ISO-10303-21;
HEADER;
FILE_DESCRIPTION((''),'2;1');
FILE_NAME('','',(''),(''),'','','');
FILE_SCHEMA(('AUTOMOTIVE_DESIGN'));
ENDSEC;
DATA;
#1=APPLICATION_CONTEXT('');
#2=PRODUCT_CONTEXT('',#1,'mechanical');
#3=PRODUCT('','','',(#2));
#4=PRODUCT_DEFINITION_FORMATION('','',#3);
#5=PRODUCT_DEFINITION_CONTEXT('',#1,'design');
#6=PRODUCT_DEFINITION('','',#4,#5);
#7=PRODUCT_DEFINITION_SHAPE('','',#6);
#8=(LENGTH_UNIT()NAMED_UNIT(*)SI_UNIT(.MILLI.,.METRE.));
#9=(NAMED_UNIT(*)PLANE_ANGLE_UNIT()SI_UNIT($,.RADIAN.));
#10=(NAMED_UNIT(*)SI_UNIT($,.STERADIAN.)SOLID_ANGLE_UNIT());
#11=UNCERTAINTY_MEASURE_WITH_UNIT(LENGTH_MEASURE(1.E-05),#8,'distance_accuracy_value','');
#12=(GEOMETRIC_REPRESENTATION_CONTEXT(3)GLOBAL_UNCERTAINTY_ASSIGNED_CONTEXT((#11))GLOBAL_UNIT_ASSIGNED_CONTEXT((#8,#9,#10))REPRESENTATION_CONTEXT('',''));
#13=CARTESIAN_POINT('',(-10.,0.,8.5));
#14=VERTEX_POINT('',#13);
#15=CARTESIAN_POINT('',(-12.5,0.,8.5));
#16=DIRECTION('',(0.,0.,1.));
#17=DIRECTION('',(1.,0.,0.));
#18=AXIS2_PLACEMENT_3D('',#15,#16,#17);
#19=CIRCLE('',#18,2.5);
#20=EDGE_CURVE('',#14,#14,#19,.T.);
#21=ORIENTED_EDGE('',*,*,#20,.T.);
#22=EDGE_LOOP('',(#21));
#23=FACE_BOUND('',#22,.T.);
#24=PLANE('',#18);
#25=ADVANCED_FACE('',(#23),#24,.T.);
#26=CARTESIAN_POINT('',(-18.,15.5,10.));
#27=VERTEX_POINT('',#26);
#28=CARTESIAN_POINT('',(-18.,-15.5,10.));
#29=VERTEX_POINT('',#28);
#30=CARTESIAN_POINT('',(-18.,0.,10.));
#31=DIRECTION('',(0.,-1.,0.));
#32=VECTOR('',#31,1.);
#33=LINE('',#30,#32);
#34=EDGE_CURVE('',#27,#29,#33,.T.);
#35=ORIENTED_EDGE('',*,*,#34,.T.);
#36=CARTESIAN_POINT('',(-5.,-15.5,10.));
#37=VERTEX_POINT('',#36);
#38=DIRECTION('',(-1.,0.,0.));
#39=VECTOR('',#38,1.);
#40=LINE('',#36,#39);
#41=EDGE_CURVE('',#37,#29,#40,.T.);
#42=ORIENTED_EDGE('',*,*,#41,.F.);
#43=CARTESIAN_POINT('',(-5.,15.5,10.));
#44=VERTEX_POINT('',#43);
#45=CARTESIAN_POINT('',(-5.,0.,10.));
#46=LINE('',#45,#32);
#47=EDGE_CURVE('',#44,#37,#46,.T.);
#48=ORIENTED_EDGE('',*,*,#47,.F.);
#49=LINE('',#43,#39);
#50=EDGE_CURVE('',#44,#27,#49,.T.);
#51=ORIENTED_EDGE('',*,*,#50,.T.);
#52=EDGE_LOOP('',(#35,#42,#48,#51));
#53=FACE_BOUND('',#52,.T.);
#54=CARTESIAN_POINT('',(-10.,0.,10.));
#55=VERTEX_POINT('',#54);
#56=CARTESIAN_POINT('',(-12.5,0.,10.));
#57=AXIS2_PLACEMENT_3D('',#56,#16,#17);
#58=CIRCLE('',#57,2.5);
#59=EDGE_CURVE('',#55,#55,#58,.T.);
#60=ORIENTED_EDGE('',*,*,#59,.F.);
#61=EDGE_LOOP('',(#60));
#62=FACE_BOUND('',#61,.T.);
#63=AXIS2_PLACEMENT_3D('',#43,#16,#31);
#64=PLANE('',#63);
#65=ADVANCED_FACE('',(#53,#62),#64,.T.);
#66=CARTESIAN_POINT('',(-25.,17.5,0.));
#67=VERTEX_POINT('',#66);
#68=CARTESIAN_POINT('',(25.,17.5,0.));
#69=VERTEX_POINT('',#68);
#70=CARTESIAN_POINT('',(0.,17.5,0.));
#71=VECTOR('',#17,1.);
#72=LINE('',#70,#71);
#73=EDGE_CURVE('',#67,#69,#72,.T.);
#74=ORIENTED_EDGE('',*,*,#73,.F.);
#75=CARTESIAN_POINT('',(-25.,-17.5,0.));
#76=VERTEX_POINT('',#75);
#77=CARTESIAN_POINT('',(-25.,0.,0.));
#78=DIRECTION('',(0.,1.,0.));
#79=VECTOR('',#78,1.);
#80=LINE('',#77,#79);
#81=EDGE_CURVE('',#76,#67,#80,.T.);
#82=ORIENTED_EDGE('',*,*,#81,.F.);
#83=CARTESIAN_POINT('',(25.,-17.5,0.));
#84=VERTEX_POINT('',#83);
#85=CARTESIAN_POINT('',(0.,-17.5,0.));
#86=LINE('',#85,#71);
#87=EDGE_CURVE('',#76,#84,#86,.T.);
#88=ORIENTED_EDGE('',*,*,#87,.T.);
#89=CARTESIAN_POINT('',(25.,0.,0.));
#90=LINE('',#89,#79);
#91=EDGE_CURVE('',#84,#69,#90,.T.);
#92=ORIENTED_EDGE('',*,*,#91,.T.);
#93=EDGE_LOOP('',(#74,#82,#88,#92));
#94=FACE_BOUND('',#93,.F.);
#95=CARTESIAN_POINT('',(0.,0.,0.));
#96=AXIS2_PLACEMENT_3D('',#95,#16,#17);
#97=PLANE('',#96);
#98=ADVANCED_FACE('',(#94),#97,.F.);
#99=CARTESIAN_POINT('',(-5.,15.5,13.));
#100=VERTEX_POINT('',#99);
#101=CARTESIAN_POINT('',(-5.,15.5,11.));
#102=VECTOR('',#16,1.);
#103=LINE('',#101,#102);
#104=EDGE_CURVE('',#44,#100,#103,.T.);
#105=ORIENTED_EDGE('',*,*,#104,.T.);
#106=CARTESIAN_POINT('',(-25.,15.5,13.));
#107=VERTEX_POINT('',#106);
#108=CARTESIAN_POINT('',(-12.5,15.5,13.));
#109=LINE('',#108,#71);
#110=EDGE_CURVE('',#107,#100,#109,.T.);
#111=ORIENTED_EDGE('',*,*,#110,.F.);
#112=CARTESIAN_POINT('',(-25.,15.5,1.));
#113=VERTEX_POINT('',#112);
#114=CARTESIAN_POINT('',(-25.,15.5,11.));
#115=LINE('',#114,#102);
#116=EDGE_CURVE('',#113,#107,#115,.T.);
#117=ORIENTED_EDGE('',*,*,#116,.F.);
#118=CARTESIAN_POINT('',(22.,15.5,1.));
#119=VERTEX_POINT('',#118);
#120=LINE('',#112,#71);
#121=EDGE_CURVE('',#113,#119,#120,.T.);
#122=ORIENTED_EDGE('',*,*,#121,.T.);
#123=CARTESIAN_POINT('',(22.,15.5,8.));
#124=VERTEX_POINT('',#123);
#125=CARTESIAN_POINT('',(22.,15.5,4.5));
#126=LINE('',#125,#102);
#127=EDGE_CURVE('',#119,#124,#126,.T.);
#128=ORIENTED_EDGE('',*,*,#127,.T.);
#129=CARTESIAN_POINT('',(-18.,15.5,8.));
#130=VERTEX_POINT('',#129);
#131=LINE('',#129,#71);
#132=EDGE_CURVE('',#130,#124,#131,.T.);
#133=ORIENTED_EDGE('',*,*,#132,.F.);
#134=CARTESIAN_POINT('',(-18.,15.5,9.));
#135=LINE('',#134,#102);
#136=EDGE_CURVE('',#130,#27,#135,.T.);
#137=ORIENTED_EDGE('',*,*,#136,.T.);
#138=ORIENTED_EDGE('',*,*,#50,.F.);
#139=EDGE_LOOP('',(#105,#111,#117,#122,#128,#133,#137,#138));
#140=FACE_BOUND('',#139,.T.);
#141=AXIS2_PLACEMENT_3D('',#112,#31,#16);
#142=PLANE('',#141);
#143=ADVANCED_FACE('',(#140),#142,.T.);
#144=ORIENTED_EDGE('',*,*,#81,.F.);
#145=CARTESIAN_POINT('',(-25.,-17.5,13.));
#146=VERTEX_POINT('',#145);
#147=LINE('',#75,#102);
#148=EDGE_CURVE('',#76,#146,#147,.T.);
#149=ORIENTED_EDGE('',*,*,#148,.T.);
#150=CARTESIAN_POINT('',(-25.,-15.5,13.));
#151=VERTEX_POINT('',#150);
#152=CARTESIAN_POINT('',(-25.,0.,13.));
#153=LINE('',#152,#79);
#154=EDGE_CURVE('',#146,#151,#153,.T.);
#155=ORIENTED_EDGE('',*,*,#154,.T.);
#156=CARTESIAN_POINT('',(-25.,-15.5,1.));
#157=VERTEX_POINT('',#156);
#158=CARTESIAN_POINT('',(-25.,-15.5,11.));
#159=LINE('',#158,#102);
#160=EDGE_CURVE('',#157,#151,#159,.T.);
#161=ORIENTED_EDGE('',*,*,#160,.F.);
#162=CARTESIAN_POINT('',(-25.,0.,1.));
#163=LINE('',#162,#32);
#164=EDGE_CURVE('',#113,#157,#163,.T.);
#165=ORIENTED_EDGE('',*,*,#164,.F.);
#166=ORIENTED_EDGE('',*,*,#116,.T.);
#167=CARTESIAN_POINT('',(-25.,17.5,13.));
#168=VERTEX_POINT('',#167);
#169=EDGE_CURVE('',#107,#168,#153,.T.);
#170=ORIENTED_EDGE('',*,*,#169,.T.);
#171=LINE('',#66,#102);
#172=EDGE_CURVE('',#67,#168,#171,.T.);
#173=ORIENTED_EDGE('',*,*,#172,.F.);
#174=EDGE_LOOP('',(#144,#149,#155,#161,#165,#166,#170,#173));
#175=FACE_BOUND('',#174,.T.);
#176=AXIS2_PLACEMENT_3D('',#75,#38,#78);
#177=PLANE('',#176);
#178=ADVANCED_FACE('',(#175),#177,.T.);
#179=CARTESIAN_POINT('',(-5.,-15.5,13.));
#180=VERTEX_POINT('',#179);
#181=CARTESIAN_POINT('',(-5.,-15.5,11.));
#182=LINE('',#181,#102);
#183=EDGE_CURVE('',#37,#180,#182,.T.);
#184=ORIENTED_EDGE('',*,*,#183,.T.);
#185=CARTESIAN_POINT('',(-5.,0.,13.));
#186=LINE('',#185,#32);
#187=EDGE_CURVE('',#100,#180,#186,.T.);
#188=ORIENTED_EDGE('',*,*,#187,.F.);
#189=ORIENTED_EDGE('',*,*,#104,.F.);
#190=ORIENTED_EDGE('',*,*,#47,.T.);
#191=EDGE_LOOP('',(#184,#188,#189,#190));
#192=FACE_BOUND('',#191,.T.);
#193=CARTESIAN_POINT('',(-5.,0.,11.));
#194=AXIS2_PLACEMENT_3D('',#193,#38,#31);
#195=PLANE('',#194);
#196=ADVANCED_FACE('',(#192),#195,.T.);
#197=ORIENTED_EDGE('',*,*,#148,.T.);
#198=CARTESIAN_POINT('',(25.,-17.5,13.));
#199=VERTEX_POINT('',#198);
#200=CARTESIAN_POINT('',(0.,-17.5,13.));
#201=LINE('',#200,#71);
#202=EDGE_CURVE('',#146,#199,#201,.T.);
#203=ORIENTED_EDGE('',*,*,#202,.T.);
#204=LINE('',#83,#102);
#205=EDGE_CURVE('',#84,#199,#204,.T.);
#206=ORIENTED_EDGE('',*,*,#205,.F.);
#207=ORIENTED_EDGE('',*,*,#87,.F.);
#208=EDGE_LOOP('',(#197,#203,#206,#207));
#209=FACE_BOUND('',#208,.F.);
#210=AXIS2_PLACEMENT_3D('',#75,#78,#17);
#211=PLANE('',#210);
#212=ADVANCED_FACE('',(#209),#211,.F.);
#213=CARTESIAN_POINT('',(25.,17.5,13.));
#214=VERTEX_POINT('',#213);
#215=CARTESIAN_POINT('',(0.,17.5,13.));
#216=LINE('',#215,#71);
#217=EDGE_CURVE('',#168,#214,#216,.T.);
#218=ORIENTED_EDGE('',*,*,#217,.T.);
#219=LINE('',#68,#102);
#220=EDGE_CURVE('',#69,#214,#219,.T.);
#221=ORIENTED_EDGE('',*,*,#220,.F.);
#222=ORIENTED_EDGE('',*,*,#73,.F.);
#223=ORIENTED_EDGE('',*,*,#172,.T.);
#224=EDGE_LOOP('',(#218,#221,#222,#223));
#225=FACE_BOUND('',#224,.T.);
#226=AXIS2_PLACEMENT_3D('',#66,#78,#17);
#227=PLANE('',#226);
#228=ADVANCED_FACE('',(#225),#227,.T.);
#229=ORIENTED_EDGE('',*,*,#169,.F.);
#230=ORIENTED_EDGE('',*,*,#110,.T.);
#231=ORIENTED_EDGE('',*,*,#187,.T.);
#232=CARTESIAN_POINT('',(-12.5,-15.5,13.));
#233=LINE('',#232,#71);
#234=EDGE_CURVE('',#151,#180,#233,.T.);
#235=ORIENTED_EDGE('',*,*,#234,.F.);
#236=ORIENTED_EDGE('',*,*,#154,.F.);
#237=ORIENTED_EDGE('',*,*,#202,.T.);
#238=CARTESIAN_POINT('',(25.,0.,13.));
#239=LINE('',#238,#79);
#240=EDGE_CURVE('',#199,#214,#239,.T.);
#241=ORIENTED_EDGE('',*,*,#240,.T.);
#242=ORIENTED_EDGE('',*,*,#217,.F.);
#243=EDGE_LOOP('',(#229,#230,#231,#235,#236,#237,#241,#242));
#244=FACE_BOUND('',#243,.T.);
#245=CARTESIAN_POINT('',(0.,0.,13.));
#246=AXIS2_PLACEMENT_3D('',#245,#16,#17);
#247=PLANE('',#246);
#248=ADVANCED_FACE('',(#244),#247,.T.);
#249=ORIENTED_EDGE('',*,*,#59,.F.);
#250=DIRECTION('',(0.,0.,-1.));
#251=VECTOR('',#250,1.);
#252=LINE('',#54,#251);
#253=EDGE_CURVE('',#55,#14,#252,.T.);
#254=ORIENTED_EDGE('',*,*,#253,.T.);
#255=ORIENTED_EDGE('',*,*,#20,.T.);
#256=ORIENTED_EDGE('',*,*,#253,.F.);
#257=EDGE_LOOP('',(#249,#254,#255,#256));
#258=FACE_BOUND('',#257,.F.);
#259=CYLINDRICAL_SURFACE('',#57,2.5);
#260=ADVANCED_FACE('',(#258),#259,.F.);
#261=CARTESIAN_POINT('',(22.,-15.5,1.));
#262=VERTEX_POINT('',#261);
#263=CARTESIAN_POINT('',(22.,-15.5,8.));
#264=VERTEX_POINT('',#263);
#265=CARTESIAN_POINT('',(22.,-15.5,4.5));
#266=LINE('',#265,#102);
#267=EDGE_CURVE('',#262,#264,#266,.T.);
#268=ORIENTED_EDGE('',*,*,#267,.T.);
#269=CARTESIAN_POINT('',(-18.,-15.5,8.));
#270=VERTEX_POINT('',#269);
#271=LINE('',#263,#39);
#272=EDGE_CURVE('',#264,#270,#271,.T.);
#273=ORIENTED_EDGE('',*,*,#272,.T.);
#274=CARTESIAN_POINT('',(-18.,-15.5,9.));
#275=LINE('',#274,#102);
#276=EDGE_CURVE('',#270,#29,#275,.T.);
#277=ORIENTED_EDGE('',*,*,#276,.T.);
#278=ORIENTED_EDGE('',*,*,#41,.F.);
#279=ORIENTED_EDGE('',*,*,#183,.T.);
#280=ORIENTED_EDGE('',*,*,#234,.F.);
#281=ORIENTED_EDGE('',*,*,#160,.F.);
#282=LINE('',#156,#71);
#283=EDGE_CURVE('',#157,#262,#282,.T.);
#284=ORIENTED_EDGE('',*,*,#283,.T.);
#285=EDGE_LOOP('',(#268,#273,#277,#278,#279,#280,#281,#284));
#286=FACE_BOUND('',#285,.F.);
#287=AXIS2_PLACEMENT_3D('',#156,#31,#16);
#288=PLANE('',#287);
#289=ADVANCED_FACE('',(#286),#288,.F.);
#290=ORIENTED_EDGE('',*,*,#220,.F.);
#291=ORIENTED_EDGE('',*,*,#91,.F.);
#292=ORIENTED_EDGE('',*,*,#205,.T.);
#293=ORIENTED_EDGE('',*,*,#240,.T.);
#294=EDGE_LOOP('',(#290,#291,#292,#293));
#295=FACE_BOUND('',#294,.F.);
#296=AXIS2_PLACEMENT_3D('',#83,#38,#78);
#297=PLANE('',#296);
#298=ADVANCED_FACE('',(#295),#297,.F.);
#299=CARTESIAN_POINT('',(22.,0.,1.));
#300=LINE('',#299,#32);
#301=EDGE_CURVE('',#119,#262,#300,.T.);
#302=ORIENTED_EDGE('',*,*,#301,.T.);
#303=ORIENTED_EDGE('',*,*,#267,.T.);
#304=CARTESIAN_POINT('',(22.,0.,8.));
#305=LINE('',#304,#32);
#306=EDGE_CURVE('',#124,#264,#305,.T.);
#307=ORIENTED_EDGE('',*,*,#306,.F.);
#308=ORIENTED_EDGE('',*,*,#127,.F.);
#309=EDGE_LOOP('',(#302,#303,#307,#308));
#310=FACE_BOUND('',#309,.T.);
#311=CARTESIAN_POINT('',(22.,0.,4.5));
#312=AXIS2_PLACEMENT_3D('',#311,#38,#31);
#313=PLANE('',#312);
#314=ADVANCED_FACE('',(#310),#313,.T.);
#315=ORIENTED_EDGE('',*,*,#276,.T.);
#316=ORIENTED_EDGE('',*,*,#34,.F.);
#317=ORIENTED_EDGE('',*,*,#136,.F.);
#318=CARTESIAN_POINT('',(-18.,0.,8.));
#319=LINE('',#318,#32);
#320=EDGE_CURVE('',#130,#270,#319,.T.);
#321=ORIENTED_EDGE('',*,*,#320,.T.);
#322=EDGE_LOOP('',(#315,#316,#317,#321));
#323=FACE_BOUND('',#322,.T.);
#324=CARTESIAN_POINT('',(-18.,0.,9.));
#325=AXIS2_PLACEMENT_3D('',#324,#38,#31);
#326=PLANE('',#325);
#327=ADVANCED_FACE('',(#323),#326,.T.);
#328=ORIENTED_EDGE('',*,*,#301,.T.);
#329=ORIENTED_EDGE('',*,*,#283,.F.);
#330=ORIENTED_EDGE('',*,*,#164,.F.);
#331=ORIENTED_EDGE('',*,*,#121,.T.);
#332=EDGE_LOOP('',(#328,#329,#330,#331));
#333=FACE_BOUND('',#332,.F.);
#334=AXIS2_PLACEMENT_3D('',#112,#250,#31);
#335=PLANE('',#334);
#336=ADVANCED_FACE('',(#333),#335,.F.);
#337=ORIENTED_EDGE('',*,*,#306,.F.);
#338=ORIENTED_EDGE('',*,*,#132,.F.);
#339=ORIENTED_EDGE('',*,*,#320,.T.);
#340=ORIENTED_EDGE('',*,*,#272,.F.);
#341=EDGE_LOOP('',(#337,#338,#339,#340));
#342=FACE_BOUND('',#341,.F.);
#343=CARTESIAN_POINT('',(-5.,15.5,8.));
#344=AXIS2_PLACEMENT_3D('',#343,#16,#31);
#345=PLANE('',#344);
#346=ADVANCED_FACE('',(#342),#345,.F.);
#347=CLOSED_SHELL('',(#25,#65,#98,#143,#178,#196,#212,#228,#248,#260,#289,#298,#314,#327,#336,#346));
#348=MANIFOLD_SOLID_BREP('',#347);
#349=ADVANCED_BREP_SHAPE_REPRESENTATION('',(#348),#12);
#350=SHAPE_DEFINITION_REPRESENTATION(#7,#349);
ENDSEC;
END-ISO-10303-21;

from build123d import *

# Parameters (mm, degrees)
F0_W     = 50
F0_H     = 35
F1_DEPTH = 13
F2_W     = 31
F2_H     = 20
F3_DEPTH = 20
F4_W     = 31
F4_H     = 7
F5_DEPTH = 27
F6_W     = 31
F6_H     = 2
F7_DEPTH = 13
F8_R     = 2.5
F9_DEPTH = 1.5


with BuildPart() as f1:
    # F0 (on Top) → F1 (new body)
    with BuildSketch(Plane.XY):
        Rectangle(F0_W, F0_H)
    extrude(amount=F1_DEPTH)

    # F2 (on face) → F3 (cut)
    with BuildSketch(Plane(origin=(-25, 0, 0), x_dir=(0, -1, 0), z_dir=(-1, 0, 0))):
        with Locations((0, 11)):
            Rectangle(F2_W, F2_H)
    extrude(amount=-F3_DEPTH, mode=Mode.SUBTRACT)

    # F4 (on face) → F5 (cut)
    with BuildSketch(Plane(origin=(-5, 0, 0), x_dir=(0, -1, 0), z_dir=(-1, 0, 0))):
        with Locations((0, 4.5)):
            Rectangle(F4_W, F4_H)
    extrude(amount=-F5_DEPTH, mode=Mode.SUBTRACT)

    # F6 (on face) → F7 (join)
    with BuildSketch(Plane(origin=(-5, 0, 0), x_dir=(0, -1, 0), z_dir=(-1, 0, 0))):
        with Locations((0, 9)):
            Rectangle(F6_W, F6_H)
    extrude(amount=F7_DEPTH)

    # F8 (on face) → F9 (cut)
    with BuildSketch(Plane.XY.offset(10)):
        with Locations((-12.5, 0)):
            Circle(F8_R)
    extrude(amount=-F9_DEPTH, mode=Mode.SUBTRACT)


solid = f1.part
